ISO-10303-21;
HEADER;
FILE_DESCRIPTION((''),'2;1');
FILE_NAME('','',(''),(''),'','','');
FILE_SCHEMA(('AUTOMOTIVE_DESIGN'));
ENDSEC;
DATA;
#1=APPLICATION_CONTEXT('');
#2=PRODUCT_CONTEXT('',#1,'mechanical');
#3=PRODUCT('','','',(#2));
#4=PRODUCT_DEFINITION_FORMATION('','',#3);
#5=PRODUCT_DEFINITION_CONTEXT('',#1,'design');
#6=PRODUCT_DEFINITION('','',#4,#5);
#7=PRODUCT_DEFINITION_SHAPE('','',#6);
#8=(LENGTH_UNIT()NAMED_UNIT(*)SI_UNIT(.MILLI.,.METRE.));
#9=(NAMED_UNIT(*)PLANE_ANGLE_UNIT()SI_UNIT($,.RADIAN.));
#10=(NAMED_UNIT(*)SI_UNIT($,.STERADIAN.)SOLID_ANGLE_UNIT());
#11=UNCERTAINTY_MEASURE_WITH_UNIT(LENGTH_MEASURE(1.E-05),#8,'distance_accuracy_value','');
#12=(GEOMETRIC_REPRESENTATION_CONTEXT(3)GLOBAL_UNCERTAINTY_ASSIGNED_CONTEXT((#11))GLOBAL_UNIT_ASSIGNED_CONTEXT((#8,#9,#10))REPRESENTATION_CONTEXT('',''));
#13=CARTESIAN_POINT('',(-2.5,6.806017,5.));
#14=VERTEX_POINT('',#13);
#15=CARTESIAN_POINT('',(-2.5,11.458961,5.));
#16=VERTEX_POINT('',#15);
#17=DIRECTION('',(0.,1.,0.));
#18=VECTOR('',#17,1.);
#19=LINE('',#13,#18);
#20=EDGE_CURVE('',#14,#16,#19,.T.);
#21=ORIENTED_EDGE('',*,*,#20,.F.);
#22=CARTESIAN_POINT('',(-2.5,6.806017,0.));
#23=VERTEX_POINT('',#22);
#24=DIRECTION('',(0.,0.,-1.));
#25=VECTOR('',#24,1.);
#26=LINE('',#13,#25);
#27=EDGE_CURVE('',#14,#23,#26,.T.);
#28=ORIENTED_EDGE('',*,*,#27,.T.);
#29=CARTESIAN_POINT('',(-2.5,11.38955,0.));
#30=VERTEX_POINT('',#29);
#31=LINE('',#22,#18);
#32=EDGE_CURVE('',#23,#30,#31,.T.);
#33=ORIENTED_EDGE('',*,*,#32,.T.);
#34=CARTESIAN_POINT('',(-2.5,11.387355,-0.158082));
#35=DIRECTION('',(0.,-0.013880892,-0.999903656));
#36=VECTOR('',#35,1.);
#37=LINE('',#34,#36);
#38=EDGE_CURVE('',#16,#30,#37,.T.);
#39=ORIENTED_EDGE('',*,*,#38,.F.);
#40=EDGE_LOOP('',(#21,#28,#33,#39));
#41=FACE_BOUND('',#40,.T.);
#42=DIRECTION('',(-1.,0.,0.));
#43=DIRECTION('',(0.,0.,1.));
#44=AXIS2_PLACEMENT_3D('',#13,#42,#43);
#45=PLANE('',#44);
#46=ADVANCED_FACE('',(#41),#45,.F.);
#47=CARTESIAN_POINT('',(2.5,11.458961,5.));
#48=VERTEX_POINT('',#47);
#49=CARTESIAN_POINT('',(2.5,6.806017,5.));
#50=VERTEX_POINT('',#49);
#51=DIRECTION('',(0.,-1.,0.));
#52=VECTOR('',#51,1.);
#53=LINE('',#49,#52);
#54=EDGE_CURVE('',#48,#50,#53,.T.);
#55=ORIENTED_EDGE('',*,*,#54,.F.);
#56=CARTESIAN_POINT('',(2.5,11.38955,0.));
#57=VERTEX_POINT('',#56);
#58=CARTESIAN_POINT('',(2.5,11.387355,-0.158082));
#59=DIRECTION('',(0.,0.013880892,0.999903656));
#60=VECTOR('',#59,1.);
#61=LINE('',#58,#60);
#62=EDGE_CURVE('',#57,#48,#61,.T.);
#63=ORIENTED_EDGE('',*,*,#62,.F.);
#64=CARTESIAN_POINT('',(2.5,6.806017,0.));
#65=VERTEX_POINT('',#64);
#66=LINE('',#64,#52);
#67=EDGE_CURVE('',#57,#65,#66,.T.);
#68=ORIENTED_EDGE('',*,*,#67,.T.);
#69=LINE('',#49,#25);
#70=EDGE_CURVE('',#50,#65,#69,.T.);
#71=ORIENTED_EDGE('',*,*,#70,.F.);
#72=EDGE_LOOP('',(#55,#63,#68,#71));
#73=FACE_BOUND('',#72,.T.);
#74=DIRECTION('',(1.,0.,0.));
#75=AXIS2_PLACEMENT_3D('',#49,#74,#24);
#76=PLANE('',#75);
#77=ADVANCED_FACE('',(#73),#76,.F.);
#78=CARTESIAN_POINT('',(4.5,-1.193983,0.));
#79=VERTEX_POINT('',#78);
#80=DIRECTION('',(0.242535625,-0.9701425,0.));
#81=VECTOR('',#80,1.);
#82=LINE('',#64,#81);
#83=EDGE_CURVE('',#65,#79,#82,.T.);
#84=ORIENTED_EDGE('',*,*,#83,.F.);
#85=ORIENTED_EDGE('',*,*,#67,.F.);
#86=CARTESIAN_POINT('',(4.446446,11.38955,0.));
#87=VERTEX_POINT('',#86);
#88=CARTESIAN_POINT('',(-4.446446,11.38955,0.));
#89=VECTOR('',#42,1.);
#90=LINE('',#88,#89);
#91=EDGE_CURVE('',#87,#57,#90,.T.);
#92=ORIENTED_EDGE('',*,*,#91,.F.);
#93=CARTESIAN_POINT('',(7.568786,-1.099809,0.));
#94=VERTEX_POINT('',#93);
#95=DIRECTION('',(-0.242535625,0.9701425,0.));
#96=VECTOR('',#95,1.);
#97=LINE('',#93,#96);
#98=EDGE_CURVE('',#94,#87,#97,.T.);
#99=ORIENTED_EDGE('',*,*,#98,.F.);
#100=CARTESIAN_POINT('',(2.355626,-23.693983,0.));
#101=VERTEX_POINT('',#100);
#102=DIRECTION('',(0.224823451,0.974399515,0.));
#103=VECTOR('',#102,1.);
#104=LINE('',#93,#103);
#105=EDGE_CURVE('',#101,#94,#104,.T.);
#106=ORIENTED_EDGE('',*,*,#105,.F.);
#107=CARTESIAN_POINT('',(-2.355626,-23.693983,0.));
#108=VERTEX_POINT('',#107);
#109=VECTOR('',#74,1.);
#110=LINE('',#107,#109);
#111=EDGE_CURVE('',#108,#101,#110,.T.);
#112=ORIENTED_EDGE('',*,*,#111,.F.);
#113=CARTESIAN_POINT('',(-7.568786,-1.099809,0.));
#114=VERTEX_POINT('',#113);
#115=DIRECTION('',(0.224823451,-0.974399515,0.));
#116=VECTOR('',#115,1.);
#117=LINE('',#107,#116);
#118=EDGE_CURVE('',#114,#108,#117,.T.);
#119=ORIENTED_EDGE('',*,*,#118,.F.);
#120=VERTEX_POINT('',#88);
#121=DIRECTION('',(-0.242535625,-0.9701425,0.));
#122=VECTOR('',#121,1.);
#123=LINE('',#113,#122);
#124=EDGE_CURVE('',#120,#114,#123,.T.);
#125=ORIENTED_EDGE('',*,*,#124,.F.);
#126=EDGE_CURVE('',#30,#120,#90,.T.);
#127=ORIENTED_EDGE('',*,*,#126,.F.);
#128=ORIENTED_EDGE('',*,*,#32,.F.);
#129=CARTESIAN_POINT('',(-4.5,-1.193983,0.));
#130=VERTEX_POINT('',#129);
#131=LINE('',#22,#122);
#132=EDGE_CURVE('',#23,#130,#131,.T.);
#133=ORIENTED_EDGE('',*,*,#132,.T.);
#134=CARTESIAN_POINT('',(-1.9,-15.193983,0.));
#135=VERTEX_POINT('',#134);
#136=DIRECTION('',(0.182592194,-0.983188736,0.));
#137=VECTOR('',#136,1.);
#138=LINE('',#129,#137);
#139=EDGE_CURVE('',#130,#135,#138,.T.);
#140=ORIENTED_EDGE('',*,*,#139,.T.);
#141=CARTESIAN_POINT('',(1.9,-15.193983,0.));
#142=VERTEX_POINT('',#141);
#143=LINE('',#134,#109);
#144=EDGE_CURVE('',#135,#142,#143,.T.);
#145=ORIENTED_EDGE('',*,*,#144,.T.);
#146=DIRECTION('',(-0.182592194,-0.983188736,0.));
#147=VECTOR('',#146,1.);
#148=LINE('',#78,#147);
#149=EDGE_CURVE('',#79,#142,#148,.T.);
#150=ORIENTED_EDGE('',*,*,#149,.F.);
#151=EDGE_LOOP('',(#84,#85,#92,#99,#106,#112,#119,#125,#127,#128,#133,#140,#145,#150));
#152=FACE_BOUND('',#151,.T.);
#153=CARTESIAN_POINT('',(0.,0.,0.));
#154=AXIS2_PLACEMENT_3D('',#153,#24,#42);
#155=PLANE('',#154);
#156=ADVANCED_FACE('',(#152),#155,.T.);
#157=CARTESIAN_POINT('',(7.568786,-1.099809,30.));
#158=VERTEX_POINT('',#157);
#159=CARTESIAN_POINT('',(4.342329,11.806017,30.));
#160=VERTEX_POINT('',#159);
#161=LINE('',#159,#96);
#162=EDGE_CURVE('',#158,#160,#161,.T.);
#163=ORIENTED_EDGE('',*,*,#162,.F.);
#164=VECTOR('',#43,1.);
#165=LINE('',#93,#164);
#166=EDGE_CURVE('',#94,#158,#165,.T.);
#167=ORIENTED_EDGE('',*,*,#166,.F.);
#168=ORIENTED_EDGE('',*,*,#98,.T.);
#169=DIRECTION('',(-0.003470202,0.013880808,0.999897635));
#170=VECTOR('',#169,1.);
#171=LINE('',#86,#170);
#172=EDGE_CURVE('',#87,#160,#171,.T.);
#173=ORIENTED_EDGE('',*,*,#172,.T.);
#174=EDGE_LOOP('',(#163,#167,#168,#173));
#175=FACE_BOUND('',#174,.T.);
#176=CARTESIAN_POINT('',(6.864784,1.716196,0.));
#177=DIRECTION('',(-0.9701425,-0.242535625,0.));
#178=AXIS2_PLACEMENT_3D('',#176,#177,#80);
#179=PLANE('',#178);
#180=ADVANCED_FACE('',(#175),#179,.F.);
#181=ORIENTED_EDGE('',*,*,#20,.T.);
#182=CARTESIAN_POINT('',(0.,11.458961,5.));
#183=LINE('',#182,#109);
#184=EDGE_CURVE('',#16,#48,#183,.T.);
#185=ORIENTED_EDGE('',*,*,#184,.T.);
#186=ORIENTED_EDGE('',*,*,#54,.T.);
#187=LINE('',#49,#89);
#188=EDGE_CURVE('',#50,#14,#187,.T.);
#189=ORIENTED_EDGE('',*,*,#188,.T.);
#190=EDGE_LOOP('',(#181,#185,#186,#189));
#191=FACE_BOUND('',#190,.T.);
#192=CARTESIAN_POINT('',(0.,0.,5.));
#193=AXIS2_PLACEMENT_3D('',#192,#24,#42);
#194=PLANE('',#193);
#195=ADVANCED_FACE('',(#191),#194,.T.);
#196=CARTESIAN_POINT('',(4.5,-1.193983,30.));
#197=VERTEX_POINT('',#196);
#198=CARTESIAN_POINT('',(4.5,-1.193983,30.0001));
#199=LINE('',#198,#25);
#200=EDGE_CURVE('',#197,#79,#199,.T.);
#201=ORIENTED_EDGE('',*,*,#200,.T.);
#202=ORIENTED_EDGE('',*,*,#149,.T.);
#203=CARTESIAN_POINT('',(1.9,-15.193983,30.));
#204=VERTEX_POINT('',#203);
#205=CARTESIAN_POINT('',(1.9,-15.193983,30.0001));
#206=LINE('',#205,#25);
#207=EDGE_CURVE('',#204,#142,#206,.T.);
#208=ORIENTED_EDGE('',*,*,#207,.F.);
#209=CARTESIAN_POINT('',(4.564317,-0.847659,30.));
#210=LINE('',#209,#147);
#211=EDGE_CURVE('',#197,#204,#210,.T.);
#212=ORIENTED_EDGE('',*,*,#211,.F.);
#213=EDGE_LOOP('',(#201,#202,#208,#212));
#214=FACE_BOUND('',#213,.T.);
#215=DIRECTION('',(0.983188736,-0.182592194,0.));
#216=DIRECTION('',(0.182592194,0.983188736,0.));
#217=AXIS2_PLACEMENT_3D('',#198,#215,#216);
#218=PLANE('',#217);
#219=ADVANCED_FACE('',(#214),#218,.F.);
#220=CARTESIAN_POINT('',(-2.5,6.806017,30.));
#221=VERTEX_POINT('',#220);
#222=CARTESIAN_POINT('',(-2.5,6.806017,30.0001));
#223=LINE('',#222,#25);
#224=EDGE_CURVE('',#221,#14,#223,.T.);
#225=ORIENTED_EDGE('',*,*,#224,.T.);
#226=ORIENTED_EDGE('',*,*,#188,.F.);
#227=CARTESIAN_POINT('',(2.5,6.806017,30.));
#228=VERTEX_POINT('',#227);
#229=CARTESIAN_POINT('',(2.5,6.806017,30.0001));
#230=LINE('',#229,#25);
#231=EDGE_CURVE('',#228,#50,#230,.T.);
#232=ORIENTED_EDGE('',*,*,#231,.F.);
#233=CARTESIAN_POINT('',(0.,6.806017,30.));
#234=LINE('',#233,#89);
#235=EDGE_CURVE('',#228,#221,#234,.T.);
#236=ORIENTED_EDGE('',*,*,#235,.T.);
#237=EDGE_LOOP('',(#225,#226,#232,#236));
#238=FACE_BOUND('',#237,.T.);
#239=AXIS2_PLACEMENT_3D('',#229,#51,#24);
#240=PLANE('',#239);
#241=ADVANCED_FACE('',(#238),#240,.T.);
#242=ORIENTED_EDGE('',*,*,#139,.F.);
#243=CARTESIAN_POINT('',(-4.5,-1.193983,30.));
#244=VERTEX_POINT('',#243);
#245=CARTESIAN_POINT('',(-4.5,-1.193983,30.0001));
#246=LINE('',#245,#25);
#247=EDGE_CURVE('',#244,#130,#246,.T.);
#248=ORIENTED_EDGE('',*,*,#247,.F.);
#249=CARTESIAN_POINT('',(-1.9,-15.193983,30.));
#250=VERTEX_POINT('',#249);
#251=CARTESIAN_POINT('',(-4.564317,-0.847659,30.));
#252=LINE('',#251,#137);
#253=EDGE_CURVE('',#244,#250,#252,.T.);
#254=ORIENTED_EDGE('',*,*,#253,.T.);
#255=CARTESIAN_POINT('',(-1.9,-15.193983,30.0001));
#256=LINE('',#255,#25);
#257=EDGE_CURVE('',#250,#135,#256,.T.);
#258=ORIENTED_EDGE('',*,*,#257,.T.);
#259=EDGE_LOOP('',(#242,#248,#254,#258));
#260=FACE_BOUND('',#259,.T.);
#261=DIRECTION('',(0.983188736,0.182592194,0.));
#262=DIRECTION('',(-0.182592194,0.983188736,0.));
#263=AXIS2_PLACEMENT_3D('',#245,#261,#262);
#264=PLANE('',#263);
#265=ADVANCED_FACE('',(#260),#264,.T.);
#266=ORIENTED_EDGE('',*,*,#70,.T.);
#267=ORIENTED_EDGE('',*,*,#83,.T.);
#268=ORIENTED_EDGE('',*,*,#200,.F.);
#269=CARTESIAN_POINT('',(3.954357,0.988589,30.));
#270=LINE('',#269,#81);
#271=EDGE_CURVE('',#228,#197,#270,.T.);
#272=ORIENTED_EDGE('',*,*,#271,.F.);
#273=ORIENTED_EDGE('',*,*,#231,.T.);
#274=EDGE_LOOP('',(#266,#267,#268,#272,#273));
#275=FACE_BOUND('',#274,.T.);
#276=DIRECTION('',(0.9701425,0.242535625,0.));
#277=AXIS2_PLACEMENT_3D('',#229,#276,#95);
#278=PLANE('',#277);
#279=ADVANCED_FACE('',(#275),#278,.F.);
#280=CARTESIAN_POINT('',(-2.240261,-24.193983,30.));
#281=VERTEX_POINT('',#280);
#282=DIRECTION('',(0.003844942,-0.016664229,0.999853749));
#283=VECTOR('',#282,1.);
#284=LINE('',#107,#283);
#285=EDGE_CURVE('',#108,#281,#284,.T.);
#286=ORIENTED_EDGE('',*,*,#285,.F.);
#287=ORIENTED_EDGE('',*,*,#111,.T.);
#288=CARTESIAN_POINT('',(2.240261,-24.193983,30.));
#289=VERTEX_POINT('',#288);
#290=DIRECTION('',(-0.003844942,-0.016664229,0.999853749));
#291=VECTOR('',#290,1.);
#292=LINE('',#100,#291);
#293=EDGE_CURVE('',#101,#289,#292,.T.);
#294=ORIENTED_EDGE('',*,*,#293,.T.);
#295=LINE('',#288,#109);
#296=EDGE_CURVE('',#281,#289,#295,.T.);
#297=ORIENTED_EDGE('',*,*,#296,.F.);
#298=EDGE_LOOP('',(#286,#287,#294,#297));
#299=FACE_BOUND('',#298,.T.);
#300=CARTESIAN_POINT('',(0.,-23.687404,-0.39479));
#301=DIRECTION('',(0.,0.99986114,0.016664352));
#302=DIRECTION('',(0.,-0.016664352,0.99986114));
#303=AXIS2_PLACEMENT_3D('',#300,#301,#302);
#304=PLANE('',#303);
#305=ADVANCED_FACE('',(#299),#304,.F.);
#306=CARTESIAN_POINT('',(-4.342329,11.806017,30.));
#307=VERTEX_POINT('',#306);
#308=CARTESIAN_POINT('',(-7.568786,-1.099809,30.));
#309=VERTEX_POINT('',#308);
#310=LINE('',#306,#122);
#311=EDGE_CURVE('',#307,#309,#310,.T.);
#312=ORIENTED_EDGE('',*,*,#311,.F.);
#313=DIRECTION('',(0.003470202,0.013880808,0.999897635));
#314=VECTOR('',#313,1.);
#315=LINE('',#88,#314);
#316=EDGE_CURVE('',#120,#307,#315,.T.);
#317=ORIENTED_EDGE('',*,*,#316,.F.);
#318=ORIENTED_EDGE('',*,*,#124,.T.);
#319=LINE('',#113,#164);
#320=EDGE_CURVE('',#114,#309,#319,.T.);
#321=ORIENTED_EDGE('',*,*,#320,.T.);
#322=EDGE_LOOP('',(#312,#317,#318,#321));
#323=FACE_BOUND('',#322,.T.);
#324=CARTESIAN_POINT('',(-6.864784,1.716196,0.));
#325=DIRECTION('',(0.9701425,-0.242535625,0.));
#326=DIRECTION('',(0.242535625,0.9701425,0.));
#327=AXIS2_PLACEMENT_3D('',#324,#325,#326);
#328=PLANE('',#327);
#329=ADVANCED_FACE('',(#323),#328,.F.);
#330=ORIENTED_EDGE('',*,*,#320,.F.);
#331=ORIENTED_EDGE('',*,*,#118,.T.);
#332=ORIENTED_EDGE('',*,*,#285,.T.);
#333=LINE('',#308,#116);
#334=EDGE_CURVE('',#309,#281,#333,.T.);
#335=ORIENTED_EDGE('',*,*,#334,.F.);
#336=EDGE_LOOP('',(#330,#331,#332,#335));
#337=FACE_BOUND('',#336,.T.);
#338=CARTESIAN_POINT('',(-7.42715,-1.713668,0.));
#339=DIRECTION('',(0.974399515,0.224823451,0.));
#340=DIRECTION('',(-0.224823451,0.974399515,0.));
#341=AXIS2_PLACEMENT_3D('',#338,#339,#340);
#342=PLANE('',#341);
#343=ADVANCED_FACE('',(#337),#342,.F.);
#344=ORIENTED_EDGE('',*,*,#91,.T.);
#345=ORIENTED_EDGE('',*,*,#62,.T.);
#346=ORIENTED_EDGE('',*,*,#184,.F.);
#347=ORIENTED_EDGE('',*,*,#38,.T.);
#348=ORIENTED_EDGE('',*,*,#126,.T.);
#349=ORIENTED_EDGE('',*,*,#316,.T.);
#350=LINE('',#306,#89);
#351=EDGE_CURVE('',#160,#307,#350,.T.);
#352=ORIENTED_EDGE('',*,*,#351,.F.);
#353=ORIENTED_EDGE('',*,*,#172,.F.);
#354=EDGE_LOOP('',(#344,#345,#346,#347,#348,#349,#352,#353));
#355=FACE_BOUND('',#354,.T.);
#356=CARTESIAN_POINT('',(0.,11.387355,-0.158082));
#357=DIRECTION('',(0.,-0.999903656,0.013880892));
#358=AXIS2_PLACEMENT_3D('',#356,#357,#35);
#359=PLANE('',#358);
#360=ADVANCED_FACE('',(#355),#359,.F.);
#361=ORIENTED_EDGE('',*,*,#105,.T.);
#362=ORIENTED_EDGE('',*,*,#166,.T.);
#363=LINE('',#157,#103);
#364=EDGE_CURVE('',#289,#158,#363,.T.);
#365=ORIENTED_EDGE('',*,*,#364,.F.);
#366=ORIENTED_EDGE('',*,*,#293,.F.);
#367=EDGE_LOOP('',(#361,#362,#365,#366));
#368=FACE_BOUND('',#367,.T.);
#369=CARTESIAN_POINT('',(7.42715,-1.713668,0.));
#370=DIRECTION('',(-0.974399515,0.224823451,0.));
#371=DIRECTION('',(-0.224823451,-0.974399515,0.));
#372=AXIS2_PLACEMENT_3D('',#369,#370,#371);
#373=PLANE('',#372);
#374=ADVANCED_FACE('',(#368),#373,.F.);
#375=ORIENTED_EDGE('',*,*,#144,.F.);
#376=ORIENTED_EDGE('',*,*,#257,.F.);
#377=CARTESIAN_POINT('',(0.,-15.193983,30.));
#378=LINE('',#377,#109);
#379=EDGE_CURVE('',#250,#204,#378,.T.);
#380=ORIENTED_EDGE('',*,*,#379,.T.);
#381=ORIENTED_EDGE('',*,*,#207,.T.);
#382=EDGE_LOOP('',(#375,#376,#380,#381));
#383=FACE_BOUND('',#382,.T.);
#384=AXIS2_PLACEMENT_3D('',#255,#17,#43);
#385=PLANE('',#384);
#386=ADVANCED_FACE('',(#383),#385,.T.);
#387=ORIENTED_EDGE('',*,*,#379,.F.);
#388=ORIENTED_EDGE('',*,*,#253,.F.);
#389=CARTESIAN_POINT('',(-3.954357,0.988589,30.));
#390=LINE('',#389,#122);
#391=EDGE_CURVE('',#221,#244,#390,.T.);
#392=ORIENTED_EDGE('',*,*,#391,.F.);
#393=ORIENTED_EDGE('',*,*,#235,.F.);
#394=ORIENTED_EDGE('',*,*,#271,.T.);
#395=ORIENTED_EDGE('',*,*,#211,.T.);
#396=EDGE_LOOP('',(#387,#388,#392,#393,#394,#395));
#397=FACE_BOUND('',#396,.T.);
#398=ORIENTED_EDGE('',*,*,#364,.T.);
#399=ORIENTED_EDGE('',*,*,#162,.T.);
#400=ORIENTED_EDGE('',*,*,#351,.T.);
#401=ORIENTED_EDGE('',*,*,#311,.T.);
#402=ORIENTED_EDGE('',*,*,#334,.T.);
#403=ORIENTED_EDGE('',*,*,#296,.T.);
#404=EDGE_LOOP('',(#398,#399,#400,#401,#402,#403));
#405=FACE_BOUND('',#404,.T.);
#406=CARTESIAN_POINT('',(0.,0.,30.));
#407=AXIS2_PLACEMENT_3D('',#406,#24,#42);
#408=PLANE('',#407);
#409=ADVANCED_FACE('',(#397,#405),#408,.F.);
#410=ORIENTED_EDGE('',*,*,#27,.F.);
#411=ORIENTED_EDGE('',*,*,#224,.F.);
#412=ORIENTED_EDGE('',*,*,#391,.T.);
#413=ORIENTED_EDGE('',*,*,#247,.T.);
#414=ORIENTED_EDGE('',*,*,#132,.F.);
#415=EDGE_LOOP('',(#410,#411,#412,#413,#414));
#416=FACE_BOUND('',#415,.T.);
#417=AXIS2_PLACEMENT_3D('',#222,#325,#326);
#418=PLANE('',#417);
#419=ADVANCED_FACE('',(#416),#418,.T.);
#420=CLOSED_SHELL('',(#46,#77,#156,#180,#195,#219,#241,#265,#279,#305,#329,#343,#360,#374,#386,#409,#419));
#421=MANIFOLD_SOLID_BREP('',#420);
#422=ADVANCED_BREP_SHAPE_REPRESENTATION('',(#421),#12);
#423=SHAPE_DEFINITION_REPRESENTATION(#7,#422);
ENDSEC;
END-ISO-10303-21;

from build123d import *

# Parameters (mm, degrees)
CUT_EXTRUDE_1_DEPTH = 40.276397034
SKETCH_5_W          = 5
SKETCH_5_H          = 6.5
CUT_EXTRUDE_2_DEPTH = 5


with BuildPart() as part:
    # 스케치3 → 로프트1 section 0
    with BuildSketch(Plane.XY):
        with BuildLine():
            Line((-4.446445939, 11.389549668), (4.446445939, 11.389549668))
            Line((4.446445939, 11.389549668), (7.568785652, -1.099809185))
            Line((7.568785652, -1.099809185), (2.355626001, -23.693983454))
            Line((2.355626001, -23.693983454), (-2.355626001, -23.693983454))
            Line((-2.355626001, -23.693983454), (-7.568785652, -1.099809185))
            Line((-7.568785652, -1.099809185), (-4.446445939, 11.389549668))
        make_face()
    # 스케치4 → 로프트1 section 1
    with BuildSketch(Plane.XY.offset(30)):
        with BuildLine():
            Line((-4.342329219, 11.806016546), (4.342329219, 11.806016546))
            Line((4.342329219, 11.806016546), (7.568785652, -1.099809185))
            Line((7.568785652, -1.099809185), (2.240260872, -24.193983454))
            Line((2.240260872, -24.193983454), (-2.240260872, -24.193983454))
            Line((-2.240260872, -24.193983454), (-7.568785652, -1.099809185))
            Line((-7.568785652, -1.099809185), (-4.342329219, 11.806016546))
        make_face()
    loft()

    # 스케치1 → 컷-돌출1 (cut, through all)
    with BuildSketch(Plane.XY):
        Polygon((2.5, 6.806016546), (-2.5, 6.806016546), (-4.5, -1.193983454), (-1.9, -15.193983454), (1.9, -15.193983454), (4.5, -1.193983454), align=None)
    extrude(amount=CUT_EXTRUDE_1_DEPTH, mode=Mode.SUBTRACT)

    # 스케치5 → 컷-돌출2 (cut)
    with BuildSketch(Plane(origin=(0, 0, 0), x_dir=(-1, 0, 0), z_dir=(0, 0, -1))):
        with Locations((0, 10.056016546)):
            Rectangle(SKETCH_5_W, SKETCH_5_H)
    extrude(amount=-CUT_EXTRUDE_2_DEPTH, mode=Mode.SUBTRACT)


solid = part.part
